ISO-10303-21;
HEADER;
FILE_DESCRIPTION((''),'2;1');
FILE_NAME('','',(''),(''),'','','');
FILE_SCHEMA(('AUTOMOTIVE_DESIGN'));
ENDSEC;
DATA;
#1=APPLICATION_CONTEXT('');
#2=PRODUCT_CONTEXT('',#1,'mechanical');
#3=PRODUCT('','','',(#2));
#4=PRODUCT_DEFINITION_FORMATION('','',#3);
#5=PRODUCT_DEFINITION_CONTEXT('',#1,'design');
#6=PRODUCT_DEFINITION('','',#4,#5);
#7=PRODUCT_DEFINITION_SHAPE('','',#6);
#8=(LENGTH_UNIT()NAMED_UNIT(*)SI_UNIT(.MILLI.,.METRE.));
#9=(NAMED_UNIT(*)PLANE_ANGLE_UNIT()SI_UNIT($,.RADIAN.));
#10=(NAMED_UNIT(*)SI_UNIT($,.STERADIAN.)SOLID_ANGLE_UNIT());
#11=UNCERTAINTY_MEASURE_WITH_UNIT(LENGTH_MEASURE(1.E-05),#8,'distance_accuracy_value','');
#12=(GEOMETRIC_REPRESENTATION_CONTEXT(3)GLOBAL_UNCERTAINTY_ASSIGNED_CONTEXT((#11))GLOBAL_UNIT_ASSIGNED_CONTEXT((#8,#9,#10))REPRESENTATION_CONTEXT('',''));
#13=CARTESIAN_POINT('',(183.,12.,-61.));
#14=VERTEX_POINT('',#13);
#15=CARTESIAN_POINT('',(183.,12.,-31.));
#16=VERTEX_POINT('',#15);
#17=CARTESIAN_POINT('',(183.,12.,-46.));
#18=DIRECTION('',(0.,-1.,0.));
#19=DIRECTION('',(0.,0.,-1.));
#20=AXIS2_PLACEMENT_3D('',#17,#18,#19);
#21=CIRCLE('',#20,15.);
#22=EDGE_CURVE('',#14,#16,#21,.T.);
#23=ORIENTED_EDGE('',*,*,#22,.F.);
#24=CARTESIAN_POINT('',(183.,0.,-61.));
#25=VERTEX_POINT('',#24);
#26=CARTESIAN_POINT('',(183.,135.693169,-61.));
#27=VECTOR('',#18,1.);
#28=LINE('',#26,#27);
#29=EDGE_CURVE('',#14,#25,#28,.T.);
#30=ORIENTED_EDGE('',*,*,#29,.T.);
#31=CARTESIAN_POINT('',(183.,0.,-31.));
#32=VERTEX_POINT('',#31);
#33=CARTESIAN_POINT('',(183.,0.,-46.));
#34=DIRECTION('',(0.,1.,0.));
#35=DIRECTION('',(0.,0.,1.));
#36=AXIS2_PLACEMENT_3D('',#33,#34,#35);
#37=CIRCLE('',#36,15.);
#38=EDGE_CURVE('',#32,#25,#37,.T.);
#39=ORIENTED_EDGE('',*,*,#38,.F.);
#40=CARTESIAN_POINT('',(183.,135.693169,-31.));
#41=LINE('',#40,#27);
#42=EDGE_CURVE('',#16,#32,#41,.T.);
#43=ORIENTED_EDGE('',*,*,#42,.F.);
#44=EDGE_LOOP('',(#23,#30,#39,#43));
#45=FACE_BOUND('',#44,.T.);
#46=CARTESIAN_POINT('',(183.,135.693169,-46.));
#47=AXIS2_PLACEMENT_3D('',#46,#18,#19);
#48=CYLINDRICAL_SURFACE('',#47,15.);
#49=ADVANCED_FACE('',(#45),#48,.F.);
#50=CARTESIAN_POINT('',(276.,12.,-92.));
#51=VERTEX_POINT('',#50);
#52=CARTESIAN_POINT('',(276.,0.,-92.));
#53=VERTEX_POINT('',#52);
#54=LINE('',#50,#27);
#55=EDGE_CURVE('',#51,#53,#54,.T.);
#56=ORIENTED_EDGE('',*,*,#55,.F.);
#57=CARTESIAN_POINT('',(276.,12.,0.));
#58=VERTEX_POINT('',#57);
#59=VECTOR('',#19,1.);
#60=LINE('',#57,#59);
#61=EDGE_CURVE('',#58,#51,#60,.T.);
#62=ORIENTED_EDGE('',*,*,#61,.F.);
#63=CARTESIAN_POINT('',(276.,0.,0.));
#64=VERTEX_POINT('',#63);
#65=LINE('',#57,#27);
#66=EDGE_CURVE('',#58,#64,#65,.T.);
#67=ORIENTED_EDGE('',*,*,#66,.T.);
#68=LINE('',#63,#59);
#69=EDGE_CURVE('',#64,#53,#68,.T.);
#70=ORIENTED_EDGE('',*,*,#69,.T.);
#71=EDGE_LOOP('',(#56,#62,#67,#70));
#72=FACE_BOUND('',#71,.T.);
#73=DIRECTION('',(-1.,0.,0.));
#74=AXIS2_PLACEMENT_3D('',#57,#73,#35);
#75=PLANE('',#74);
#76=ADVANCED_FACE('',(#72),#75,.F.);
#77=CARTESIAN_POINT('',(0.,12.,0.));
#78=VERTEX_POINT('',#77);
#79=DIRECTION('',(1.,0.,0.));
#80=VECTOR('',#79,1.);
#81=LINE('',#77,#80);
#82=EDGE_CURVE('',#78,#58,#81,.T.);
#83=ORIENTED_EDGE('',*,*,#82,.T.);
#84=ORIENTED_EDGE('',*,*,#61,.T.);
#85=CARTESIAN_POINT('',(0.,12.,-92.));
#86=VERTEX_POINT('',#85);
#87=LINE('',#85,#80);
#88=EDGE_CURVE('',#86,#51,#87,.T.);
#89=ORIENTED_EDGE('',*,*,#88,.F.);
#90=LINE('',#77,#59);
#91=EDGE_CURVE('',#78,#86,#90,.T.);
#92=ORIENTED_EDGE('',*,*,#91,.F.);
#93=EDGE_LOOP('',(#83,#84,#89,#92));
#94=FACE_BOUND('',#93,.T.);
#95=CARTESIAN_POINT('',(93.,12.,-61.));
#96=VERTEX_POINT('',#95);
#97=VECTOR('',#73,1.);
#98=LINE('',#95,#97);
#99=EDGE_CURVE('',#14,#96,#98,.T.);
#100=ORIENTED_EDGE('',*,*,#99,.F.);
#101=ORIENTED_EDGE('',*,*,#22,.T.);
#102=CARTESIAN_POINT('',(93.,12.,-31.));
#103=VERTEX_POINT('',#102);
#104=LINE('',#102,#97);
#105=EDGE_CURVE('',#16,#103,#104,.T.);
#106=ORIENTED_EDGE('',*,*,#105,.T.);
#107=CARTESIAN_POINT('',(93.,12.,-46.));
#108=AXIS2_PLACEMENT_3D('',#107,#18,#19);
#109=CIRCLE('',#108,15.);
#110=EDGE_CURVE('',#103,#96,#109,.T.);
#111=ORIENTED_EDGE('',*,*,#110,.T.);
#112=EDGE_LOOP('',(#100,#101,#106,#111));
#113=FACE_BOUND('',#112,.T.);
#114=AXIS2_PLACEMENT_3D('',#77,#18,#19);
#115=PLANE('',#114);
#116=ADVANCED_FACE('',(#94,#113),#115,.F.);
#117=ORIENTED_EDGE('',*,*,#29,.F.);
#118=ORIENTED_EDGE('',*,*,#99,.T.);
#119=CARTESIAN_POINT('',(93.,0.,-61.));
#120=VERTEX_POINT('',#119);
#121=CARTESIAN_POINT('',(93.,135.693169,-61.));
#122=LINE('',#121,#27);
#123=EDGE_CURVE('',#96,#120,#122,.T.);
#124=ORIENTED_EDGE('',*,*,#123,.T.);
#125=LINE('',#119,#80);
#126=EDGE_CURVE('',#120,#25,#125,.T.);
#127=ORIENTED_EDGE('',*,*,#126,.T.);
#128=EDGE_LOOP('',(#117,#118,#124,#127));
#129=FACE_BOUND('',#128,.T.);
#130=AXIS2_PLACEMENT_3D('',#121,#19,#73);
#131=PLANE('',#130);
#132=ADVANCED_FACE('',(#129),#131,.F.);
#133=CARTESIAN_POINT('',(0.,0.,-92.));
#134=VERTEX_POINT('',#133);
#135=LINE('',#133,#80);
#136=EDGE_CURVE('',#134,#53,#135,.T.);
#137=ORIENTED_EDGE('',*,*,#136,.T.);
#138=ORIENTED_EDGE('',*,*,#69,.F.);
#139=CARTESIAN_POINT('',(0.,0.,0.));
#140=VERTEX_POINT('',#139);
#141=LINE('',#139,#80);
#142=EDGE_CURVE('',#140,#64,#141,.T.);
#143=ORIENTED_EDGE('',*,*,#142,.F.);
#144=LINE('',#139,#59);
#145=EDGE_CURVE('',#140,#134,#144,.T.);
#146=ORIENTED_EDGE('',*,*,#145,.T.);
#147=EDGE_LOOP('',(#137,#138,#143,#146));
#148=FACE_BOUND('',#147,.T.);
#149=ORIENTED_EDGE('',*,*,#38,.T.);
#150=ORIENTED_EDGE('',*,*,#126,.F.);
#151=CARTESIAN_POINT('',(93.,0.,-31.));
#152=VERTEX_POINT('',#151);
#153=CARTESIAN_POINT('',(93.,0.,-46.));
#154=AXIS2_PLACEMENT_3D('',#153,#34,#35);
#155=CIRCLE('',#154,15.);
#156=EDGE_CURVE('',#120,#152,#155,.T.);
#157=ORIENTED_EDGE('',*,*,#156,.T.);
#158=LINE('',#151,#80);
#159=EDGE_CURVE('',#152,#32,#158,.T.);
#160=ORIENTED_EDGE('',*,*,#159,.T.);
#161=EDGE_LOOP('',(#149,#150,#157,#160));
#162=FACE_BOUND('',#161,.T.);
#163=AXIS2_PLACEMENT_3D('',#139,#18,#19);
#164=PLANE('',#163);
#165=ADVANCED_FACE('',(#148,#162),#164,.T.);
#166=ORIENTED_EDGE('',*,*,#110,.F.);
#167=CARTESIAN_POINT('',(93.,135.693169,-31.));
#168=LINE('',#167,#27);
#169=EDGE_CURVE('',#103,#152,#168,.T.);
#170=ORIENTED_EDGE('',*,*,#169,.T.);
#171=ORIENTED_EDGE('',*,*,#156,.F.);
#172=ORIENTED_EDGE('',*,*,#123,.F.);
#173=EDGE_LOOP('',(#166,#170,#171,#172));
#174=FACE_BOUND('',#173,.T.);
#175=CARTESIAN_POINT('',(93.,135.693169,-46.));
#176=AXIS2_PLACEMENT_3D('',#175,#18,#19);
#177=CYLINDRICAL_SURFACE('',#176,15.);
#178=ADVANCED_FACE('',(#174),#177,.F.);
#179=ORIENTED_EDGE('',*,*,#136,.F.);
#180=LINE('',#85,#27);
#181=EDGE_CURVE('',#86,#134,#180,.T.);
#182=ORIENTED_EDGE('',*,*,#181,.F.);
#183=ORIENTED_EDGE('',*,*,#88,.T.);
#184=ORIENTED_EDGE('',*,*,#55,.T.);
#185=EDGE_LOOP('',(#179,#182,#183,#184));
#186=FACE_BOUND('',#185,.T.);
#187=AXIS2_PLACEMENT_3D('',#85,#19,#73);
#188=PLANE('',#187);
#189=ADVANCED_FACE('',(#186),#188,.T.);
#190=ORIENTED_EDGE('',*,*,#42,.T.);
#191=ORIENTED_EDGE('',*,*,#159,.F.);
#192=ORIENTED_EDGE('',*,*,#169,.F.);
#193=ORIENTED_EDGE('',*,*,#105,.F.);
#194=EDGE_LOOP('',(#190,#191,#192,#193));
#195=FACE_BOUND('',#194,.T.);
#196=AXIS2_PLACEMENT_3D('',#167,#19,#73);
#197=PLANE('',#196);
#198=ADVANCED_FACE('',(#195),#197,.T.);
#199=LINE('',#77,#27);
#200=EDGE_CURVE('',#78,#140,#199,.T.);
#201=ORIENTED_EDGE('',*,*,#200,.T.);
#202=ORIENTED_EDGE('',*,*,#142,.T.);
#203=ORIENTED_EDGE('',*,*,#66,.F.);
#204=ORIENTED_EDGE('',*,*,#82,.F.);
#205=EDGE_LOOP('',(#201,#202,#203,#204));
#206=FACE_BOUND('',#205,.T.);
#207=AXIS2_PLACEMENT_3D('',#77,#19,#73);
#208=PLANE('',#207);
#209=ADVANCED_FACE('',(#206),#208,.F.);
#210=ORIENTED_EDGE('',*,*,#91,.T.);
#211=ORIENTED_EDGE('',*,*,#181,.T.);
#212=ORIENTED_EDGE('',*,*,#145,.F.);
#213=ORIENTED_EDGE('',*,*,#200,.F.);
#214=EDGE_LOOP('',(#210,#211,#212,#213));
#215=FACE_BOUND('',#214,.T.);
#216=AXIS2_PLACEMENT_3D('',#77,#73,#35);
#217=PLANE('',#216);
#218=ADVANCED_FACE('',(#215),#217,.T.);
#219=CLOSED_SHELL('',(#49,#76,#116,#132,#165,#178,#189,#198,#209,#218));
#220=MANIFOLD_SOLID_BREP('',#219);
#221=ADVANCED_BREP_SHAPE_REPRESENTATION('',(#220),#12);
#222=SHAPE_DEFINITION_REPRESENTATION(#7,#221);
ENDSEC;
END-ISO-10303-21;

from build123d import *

# Parameters (mm, degrees)
SKETCH2_W           = 276
SKETCH2_H           = 92
BOSS_EXTRUDE1_DEPTH = 12
CUT_EXTRUDE1_DEPTH  = 12


with BuildPart() as part:
    # Sketch2 → Boss-Extrude1 (new body)
    with BuildSketch(Plane(origin=(0, 0, 0), x_dir=(1, 0, 0), z_dir=(0, 1, 0))):
        with Locations((138, 46)):
            Rectangle(SKETCH2_W, SKETCH2_H)
    extrude(amount=BOSS_EXTRUDE1_DEPTH)

    # Sketch2<3> → Cut-Extrude1 (cut)
    with BuildSketch(Plane(origin=(0, 0, 0), x_dir=(1, 0, 0), z_dir=(0, 1, 0))):
        with BuildLine():
            Line((93, 61), (183, 61))
            ThreePointArc((183, 61), (198, 46), (183, 31))
            Line((183, 31), (93, 31))
            ThreePointArc((93, 31), (78, 46), (93, 61))
        make_face()
    extrude(amount=CUT_EXTRUDE1_DEPTH, mode=Mode.SUBTRACT)


solid = part.part
